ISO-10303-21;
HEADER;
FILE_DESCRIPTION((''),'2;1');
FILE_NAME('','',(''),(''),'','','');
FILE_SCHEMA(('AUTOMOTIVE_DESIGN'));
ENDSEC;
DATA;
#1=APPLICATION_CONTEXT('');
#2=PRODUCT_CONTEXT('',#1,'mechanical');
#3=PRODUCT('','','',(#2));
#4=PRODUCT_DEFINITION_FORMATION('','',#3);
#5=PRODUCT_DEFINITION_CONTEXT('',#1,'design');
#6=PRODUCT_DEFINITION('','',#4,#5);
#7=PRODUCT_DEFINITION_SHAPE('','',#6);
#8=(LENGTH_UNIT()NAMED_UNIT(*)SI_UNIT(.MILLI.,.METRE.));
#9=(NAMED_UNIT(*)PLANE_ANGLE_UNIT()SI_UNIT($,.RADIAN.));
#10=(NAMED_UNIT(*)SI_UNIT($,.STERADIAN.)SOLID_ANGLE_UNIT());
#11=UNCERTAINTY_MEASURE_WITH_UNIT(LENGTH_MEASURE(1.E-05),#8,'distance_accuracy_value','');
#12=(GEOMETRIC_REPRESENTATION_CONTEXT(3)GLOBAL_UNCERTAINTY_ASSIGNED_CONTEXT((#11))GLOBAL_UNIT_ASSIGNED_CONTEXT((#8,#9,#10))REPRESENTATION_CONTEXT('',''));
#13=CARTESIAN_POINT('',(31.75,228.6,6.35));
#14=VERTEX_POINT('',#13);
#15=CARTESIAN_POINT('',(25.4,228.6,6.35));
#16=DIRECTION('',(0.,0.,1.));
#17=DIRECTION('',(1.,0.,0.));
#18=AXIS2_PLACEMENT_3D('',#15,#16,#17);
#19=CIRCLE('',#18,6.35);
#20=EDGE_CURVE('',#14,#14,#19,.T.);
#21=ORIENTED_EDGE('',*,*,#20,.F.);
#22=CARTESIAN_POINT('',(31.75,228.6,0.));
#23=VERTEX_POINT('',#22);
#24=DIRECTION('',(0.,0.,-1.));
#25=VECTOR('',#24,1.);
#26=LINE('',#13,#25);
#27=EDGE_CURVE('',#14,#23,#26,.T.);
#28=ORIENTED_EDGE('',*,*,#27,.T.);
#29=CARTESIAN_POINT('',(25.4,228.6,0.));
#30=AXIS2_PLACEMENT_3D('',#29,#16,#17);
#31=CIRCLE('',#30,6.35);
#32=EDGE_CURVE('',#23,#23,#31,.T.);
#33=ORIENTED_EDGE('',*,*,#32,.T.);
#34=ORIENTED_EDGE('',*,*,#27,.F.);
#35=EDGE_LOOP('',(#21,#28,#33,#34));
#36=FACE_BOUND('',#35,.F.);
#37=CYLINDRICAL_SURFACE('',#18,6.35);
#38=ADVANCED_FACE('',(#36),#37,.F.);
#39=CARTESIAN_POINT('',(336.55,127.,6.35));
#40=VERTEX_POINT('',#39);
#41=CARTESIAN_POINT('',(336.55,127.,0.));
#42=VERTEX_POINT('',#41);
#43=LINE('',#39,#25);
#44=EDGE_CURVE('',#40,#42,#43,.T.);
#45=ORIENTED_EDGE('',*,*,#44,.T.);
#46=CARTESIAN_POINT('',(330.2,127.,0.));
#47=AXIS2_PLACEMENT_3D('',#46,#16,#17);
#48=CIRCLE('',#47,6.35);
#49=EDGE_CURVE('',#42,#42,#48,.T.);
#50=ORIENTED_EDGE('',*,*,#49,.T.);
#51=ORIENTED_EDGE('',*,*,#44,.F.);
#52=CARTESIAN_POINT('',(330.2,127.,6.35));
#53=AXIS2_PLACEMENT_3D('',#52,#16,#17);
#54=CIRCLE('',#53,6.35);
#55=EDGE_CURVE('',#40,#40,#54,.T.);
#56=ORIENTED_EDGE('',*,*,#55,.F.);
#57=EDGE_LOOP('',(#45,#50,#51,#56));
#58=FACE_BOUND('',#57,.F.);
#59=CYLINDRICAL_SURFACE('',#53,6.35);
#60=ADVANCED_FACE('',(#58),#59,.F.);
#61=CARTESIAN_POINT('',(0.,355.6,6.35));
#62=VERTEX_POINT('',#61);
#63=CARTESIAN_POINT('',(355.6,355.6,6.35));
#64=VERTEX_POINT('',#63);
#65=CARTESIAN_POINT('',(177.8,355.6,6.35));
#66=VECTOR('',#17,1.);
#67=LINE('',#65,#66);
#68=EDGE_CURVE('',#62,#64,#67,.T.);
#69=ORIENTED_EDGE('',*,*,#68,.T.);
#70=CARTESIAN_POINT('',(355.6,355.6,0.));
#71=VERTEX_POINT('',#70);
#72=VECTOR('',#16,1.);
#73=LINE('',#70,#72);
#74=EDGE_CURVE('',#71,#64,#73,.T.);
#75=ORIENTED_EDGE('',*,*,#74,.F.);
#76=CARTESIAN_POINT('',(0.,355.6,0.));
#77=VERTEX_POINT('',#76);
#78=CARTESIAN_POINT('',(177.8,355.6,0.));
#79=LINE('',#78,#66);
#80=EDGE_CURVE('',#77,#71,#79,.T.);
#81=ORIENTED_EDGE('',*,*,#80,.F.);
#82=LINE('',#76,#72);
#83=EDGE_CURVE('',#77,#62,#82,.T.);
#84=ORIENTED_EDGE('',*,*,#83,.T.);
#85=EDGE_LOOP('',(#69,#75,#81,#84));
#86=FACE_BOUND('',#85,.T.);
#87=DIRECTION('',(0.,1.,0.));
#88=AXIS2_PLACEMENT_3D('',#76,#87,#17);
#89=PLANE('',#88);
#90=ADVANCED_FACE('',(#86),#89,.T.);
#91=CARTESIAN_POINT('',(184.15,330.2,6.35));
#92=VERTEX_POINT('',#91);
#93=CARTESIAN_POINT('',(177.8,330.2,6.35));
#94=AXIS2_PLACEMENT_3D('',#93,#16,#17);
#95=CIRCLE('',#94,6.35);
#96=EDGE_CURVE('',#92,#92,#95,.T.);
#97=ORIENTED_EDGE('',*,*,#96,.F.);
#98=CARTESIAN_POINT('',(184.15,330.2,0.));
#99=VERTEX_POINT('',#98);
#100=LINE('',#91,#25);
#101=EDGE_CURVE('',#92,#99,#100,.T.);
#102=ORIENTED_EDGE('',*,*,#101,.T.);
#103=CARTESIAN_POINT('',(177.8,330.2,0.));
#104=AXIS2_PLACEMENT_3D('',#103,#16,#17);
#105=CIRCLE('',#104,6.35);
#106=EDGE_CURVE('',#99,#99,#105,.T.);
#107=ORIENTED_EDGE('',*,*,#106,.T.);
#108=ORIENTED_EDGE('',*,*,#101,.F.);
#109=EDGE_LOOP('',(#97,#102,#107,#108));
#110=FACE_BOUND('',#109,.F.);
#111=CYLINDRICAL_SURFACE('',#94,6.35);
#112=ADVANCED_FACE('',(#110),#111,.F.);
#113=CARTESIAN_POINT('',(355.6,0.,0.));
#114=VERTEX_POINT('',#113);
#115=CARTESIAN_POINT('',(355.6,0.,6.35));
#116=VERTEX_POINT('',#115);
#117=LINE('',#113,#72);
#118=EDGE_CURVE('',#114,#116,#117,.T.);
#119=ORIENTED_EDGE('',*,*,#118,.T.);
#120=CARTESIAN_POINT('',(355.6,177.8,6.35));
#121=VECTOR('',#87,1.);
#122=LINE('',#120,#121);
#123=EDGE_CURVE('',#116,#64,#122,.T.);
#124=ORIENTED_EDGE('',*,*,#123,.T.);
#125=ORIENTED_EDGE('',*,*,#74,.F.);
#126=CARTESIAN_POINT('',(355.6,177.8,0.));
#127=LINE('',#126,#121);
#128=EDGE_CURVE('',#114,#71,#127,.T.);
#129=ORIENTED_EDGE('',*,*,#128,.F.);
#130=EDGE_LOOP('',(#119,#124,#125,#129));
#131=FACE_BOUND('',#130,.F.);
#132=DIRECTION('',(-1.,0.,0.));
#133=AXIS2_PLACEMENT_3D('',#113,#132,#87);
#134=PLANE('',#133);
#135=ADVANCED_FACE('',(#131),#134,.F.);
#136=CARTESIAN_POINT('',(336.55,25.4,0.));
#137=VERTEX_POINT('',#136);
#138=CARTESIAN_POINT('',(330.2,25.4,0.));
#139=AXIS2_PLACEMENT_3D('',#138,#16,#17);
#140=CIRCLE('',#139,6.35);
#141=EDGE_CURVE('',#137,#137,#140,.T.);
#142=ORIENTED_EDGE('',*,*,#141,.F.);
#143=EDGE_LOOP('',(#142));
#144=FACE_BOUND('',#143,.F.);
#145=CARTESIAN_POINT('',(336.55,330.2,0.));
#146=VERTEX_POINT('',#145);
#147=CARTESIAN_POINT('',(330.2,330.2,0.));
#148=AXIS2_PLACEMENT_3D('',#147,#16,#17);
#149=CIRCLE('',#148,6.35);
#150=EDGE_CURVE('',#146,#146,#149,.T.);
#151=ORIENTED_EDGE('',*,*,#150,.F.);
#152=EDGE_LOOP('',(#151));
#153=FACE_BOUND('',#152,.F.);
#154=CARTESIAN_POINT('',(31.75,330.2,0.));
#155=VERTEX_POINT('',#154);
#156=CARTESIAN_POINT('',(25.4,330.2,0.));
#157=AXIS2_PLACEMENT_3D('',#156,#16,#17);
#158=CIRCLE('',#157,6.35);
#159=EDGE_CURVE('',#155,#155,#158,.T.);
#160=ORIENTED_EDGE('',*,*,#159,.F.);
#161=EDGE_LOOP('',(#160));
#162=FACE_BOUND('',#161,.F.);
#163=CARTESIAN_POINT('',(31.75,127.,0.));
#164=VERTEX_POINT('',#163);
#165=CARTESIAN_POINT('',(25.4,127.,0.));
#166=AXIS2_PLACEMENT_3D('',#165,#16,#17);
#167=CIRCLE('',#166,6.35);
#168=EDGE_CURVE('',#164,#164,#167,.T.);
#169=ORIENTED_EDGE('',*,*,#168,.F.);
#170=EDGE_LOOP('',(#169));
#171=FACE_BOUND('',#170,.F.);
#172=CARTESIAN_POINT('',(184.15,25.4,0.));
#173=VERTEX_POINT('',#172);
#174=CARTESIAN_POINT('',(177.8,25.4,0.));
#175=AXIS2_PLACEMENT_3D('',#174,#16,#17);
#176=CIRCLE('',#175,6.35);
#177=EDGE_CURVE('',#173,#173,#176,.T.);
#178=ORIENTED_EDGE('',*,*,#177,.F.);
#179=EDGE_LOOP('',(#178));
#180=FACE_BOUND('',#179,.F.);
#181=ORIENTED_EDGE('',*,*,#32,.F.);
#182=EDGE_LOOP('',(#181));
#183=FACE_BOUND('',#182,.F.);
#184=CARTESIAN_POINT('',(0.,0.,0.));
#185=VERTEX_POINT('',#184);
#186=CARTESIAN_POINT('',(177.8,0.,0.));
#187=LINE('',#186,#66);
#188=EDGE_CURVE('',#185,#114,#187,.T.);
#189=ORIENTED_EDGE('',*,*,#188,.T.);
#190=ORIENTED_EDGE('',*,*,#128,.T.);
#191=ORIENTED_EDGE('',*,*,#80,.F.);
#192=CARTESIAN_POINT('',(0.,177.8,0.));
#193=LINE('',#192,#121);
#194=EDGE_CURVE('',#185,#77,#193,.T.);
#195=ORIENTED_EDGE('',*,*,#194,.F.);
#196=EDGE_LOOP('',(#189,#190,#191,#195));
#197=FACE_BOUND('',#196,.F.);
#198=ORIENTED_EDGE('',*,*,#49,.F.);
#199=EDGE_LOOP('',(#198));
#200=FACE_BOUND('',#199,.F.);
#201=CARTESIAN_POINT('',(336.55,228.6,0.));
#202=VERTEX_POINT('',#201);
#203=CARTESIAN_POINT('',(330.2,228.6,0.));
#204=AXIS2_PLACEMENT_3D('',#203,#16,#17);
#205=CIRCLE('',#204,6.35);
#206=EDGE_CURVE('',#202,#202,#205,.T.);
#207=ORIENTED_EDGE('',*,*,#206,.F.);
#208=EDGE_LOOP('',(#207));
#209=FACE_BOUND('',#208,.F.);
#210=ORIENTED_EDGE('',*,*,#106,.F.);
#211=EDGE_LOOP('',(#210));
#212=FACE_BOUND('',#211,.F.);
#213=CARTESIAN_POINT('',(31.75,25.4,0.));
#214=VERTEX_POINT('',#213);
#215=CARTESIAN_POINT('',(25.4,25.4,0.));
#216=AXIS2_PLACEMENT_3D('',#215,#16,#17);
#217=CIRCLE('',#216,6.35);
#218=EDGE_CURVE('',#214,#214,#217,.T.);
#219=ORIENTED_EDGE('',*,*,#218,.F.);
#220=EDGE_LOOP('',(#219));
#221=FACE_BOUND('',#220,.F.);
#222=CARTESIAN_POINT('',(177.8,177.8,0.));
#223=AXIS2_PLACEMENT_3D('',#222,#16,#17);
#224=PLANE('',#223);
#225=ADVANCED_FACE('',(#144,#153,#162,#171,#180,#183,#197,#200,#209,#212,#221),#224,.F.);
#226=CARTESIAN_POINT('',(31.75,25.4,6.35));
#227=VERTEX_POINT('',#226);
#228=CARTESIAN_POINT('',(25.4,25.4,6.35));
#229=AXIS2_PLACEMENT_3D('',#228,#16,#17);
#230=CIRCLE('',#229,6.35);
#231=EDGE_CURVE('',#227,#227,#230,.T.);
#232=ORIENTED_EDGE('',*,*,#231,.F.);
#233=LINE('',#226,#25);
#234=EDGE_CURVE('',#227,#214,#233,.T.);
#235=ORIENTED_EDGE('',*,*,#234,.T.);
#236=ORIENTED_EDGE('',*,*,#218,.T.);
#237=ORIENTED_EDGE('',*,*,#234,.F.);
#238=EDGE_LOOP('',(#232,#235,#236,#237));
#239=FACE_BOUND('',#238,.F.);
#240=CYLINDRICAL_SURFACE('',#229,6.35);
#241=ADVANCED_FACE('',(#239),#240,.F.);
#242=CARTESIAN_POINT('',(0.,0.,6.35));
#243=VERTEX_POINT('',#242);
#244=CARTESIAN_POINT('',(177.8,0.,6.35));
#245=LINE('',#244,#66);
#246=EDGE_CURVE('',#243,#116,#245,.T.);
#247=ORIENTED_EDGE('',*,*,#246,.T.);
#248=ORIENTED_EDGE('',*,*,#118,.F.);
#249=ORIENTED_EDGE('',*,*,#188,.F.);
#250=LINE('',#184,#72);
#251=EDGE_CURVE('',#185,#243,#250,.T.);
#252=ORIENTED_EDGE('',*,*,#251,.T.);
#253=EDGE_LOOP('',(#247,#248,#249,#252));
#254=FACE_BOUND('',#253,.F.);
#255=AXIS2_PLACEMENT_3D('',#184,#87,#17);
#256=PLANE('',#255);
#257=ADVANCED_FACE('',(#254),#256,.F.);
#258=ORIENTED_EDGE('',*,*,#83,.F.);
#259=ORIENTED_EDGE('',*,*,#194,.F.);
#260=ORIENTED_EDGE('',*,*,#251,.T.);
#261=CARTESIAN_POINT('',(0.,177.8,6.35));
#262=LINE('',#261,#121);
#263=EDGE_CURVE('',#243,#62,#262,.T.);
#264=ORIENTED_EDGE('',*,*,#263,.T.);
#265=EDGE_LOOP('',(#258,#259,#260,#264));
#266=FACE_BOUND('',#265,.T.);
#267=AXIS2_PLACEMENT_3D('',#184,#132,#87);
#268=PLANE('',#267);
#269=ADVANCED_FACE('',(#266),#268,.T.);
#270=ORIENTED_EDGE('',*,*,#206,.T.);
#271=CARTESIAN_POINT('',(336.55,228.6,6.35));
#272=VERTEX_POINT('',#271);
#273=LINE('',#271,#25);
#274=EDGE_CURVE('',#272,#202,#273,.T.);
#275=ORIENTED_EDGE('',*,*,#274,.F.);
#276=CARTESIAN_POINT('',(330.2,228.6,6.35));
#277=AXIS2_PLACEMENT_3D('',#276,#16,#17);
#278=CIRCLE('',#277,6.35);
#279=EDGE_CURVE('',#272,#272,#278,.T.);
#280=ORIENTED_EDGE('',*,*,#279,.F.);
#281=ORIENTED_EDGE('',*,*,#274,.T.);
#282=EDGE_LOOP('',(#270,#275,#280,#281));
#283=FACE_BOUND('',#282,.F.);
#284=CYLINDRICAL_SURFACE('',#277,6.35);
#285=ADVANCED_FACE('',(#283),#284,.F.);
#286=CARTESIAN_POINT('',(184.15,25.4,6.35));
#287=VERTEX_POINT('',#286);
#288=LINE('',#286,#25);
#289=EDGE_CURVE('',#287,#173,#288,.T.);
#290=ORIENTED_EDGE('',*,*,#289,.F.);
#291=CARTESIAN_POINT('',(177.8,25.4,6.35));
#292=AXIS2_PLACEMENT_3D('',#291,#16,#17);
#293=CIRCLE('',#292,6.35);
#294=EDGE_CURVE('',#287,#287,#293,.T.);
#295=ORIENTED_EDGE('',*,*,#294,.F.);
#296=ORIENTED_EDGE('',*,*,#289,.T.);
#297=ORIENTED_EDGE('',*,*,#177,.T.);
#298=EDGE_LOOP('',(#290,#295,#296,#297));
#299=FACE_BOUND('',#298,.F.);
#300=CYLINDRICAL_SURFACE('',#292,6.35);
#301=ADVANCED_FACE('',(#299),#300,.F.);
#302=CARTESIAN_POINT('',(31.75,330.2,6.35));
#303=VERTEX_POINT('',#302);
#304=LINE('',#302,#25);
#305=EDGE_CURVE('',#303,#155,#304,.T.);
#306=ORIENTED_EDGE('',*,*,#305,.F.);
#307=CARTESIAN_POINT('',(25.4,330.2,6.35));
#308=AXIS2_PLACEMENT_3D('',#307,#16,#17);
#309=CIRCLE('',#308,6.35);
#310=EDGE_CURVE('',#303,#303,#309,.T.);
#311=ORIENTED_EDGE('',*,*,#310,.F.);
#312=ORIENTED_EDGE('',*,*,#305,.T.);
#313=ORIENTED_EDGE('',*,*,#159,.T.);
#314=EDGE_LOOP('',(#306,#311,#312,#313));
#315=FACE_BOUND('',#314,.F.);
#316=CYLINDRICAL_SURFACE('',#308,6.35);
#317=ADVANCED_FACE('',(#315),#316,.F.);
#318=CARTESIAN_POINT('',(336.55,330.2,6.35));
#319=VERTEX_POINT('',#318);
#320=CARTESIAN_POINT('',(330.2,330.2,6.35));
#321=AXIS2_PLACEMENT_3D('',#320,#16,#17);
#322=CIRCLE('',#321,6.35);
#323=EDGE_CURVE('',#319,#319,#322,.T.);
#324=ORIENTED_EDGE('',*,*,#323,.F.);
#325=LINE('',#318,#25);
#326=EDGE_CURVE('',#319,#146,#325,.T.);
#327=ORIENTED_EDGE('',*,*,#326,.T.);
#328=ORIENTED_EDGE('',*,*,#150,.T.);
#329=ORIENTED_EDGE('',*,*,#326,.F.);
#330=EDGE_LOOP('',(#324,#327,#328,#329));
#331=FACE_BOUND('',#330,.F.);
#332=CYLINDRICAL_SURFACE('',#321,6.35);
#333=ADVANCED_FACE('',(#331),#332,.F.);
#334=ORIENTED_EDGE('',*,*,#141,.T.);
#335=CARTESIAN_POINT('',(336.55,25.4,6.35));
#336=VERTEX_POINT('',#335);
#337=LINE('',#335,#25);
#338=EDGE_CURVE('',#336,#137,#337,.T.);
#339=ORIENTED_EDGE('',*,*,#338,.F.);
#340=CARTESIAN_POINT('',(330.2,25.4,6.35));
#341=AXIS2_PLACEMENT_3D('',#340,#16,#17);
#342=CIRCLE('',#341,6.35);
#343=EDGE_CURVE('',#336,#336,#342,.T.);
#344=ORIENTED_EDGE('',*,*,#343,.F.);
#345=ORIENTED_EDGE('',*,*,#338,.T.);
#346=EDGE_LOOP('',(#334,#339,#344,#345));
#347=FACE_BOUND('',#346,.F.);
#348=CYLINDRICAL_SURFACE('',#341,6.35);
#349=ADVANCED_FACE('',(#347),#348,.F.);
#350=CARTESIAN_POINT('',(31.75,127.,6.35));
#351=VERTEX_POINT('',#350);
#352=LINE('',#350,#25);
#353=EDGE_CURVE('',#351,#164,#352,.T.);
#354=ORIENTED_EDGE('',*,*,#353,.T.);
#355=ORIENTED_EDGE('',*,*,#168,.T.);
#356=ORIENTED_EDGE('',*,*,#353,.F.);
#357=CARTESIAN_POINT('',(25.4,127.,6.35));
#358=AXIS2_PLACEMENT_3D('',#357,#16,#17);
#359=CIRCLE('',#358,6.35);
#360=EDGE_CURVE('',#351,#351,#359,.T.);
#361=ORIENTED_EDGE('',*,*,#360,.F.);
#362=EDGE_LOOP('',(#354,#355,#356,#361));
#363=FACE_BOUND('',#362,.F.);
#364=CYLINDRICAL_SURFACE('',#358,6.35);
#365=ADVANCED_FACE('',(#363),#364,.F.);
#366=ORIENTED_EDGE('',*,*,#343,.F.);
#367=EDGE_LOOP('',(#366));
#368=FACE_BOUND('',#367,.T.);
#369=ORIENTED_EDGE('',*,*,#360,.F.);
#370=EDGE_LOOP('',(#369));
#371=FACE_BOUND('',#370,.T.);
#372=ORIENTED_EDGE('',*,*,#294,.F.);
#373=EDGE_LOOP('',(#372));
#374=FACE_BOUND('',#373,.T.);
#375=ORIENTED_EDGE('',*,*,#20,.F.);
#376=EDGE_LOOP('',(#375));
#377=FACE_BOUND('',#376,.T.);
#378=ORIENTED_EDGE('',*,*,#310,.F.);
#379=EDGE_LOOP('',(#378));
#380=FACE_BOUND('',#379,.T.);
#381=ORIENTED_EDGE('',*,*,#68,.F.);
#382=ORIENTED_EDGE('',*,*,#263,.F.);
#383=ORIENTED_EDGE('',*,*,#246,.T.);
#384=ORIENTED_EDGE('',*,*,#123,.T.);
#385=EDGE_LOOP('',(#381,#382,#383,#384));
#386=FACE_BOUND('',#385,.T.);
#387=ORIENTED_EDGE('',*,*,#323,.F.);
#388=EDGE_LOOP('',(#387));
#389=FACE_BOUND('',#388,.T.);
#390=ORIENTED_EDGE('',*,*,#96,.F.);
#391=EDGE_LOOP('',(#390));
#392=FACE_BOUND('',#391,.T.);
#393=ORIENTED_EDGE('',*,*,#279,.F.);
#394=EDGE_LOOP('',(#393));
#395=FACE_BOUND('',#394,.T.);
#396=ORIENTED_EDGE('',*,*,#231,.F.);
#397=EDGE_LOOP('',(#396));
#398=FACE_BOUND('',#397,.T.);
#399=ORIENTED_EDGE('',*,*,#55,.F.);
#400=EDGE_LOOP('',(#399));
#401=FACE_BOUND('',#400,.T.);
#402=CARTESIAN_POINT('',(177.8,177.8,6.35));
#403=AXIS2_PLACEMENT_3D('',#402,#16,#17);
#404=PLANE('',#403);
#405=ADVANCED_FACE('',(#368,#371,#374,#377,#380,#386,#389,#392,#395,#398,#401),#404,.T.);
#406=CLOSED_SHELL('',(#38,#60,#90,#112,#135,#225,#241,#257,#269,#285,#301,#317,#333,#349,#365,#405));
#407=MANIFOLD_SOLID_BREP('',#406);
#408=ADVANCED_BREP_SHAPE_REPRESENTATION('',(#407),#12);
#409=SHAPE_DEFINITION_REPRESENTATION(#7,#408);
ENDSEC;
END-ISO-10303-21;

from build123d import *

# Parameters (mm, degrees)
F0_W     = 355.6
F0_H     = 355.6
F1_DEPTH = 6.35
F2_R     = 6.35
F3_DEPTH = 25.4
F5_R     = 6.35
F6_DEPTH = 25.4


with BuildPart() as f1:
    # F0 (on Top) → F1 (new body)
    with BuildSketch(Plane.XY):
        with Locations((177.8, 177.8)):
            Rectangle(F0_W, F0_H)
    extrude(amount=F1_DEPTH)

    # F2 (on face) → F3 (cut)
    with BuildSketch(Plane.XY.offset(6.35)):
        with Locations((25.4, 228.6)):
            Circle(F2_R)
        with Locations((177.8, 330.2)):
            Circle(F2_R)
        with Locations((330.2, 228.6)):
            Circle(F2_R)
        with Locations((25.4, 127)):
            Circle(F2_R)
        with Locations((177.8, 25.4)):
            Circle(F2_R)
        with Locations((330.2, 127)):
            Circle(F2_R)
    extrude(amount=-F3_DEPTH, mode=Mode.SUBTRACT)

    # F5 (on face) → F6 (cut)
    with BuildSketch(Plane.XY.offset(6.35)):
        with Locations((25.4, 330.2)):
            Circle(F5_R)
        with Locations((330.2, 330.2)):
            Circle(F5_R)
        with Locations((25.4, 25.4)):
            Circle(F5_R)
        with Locations((330.2, 25.4)):
            Circle(F5_R)
    extrude(amount=-F6_DEPTH, mode=Mode.SUBTRACT)


solid = f1.part
